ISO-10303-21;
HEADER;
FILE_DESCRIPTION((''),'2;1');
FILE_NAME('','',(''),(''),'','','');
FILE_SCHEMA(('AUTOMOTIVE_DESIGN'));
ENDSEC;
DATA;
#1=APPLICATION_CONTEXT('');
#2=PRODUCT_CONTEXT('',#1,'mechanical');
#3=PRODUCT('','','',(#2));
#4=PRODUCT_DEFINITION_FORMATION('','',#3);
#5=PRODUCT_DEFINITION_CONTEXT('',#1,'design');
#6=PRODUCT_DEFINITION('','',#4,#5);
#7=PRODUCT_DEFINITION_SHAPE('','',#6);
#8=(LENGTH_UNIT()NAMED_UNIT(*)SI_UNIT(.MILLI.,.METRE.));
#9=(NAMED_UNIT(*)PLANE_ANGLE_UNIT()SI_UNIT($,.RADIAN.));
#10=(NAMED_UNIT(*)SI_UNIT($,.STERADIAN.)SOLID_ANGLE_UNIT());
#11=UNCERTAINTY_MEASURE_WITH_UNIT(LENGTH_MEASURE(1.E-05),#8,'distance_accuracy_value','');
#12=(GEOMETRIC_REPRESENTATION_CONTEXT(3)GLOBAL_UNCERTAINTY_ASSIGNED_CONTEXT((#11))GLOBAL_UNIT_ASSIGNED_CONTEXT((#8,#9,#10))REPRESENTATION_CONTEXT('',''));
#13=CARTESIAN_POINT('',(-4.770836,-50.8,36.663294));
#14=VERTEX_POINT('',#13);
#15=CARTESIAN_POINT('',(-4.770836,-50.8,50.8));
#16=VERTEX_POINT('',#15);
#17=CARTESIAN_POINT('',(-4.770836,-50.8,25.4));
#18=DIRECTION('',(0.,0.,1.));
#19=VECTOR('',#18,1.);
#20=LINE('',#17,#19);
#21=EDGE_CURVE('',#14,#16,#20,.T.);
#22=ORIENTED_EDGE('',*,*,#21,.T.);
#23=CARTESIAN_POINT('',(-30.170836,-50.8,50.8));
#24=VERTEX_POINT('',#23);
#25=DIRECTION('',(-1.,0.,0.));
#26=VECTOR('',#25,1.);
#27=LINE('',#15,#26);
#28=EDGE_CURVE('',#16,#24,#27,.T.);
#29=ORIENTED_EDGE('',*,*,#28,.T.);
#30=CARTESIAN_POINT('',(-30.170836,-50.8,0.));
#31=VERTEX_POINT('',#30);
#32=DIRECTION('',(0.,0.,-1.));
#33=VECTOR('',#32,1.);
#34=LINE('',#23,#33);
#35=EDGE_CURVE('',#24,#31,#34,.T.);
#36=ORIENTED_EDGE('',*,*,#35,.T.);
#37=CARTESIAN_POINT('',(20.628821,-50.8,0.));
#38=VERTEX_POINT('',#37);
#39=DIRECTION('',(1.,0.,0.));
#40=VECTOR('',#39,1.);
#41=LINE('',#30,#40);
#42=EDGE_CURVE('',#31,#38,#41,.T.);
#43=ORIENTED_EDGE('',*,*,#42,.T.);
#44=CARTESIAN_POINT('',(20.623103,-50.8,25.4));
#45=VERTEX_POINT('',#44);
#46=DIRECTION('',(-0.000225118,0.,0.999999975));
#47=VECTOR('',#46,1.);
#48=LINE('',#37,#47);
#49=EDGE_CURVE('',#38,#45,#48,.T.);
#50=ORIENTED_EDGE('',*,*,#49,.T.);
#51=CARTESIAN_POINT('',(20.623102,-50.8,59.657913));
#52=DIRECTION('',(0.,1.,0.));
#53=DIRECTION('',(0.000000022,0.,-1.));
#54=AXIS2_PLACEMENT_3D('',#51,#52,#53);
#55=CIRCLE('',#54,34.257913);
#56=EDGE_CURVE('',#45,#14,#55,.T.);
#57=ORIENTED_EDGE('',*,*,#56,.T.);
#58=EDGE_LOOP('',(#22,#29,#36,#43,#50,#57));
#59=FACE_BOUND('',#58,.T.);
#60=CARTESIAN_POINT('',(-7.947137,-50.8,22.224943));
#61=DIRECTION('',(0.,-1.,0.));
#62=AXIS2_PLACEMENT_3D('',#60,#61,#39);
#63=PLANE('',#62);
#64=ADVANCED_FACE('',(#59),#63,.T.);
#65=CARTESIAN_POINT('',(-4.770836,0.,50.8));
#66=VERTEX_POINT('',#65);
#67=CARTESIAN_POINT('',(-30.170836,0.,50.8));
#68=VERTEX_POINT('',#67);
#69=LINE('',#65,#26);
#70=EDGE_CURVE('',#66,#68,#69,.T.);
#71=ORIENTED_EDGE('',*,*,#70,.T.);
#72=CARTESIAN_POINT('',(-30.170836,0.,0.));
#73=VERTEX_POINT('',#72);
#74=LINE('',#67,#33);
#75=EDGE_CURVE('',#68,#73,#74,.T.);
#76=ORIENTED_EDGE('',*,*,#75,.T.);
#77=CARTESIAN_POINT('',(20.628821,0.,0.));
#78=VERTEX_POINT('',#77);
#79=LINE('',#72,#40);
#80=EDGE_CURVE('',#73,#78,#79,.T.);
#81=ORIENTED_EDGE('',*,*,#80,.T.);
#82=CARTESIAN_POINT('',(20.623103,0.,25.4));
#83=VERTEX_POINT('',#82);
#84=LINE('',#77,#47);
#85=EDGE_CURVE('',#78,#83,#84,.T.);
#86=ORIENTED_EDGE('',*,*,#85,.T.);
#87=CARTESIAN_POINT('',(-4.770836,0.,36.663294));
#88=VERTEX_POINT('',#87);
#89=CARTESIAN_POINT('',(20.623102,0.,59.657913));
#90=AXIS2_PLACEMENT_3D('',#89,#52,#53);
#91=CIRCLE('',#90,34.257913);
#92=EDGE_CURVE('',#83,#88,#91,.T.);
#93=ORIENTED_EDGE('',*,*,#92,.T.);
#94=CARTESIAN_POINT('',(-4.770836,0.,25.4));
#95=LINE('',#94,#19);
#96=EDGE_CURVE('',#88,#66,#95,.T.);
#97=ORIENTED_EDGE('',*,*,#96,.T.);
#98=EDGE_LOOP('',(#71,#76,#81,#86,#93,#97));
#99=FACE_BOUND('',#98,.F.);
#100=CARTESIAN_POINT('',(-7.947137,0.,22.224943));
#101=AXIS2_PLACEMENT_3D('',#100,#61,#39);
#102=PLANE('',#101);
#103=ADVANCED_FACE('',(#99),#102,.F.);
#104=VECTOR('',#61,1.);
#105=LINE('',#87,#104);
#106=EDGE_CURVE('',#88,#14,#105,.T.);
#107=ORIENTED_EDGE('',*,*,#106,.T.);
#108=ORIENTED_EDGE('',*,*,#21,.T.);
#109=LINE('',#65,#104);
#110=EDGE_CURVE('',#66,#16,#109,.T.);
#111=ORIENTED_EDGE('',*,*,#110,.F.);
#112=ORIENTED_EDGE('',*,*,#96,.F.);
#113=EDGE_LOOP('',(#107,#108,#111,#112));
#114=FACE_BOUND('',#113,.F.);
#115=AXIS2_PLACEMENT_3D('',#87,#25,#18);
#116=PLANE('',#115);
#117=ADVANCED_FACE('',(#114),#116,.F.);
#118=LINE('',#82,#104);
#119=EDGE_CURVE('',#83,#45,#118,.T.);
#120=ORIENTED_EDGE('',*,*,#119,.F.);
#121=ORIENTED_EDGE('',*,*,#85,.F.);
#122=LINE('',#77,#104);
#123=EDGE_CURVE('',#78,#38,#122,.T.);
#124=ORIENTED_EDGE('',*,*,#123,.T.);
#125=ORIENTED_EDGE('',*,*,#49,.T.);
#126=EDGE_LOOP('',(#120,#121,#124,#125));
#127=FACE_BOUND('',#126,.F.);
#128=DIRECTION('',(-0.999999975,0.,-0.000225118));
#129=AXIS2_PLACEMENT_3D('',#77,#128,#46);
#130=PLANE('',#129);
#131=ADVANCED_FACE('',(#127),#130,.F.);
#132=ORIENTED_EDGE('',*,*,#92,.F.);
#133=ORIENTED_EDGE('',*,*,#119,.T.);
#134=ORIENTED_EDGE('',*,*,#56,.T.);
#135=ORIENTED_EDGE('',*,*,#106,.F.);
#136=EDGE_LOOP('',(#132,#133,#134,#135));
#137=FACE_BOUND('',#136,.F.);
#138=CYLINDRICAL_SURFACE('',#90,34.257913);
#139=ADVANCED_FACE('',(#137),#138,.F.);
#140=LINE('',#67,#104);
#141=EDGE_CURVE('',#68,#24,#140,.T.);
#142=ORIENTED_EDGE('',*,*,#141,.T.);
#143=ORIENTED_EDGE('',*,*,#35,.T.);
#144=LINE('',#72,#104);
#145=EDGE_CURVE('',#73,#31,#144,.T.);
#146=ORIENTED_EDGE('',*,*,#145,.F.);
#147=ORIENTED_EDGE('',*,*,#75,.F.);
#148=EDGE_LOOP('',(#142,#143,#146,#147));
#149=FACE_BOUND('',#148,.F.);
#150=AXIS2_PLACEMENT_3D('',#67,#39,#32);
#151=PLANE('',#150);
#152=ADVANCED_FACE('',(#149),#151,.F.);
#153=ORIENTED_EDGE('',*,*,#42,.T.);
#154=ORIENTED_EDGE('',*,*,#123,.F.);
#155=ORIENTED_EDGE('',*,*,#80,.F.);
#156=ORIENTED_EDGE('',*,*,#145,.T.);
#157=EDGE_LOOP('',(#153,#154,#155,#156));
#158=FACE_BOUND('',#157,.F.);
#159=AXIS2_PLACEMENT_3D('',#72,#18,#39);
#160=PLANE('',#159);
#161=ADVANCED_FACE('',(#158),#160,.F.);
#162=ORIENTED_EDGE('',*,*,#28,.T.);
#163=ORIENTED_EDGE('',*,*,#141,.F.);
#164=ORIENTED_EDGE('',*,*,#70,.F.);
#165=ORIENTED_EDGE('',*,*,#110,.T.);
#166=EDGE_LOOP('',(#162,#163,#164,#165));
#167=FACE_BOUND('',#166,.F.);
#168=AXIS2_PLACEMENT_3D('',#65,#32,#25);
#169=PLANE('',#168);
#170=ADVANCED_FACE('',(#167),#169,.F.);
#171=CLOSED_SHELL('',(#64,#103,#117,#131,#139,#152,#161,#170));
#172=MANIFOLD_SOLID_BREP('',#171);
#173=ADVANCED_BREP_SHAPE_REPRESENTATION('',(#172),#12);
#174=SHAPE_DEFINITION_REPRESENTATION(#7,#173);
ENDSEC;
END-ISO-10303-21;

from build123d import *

# Parameters (mm, degrees)
F1_DEPTH = 50.8


with BuildPart() as f1:
    # F0 (on Front) → F1 (new body)
    with BuildSketch(Plane.XZ):
        Polygon((-30.170836, 0), (20.628821, 0), (20.623103, 25.4), (-4.770836, 25.4), (-4.770836, 36.663294), (-4.770836, 50.8), (-30.170836, 50.8), align=None)
        with BuildLine():
            Line((-4.770836, 25.4), (20.623103, 25.4))
            ThreePointArc((20.623103, 25.4), (6.733233, 28.342164), (-4.770836, 36.663294))
            Line((-4.770836, 36.663294), (-4.770836, 25.4))
        make_face()
    extrude(amount=F1_DEPTH)


solid = f1.part
